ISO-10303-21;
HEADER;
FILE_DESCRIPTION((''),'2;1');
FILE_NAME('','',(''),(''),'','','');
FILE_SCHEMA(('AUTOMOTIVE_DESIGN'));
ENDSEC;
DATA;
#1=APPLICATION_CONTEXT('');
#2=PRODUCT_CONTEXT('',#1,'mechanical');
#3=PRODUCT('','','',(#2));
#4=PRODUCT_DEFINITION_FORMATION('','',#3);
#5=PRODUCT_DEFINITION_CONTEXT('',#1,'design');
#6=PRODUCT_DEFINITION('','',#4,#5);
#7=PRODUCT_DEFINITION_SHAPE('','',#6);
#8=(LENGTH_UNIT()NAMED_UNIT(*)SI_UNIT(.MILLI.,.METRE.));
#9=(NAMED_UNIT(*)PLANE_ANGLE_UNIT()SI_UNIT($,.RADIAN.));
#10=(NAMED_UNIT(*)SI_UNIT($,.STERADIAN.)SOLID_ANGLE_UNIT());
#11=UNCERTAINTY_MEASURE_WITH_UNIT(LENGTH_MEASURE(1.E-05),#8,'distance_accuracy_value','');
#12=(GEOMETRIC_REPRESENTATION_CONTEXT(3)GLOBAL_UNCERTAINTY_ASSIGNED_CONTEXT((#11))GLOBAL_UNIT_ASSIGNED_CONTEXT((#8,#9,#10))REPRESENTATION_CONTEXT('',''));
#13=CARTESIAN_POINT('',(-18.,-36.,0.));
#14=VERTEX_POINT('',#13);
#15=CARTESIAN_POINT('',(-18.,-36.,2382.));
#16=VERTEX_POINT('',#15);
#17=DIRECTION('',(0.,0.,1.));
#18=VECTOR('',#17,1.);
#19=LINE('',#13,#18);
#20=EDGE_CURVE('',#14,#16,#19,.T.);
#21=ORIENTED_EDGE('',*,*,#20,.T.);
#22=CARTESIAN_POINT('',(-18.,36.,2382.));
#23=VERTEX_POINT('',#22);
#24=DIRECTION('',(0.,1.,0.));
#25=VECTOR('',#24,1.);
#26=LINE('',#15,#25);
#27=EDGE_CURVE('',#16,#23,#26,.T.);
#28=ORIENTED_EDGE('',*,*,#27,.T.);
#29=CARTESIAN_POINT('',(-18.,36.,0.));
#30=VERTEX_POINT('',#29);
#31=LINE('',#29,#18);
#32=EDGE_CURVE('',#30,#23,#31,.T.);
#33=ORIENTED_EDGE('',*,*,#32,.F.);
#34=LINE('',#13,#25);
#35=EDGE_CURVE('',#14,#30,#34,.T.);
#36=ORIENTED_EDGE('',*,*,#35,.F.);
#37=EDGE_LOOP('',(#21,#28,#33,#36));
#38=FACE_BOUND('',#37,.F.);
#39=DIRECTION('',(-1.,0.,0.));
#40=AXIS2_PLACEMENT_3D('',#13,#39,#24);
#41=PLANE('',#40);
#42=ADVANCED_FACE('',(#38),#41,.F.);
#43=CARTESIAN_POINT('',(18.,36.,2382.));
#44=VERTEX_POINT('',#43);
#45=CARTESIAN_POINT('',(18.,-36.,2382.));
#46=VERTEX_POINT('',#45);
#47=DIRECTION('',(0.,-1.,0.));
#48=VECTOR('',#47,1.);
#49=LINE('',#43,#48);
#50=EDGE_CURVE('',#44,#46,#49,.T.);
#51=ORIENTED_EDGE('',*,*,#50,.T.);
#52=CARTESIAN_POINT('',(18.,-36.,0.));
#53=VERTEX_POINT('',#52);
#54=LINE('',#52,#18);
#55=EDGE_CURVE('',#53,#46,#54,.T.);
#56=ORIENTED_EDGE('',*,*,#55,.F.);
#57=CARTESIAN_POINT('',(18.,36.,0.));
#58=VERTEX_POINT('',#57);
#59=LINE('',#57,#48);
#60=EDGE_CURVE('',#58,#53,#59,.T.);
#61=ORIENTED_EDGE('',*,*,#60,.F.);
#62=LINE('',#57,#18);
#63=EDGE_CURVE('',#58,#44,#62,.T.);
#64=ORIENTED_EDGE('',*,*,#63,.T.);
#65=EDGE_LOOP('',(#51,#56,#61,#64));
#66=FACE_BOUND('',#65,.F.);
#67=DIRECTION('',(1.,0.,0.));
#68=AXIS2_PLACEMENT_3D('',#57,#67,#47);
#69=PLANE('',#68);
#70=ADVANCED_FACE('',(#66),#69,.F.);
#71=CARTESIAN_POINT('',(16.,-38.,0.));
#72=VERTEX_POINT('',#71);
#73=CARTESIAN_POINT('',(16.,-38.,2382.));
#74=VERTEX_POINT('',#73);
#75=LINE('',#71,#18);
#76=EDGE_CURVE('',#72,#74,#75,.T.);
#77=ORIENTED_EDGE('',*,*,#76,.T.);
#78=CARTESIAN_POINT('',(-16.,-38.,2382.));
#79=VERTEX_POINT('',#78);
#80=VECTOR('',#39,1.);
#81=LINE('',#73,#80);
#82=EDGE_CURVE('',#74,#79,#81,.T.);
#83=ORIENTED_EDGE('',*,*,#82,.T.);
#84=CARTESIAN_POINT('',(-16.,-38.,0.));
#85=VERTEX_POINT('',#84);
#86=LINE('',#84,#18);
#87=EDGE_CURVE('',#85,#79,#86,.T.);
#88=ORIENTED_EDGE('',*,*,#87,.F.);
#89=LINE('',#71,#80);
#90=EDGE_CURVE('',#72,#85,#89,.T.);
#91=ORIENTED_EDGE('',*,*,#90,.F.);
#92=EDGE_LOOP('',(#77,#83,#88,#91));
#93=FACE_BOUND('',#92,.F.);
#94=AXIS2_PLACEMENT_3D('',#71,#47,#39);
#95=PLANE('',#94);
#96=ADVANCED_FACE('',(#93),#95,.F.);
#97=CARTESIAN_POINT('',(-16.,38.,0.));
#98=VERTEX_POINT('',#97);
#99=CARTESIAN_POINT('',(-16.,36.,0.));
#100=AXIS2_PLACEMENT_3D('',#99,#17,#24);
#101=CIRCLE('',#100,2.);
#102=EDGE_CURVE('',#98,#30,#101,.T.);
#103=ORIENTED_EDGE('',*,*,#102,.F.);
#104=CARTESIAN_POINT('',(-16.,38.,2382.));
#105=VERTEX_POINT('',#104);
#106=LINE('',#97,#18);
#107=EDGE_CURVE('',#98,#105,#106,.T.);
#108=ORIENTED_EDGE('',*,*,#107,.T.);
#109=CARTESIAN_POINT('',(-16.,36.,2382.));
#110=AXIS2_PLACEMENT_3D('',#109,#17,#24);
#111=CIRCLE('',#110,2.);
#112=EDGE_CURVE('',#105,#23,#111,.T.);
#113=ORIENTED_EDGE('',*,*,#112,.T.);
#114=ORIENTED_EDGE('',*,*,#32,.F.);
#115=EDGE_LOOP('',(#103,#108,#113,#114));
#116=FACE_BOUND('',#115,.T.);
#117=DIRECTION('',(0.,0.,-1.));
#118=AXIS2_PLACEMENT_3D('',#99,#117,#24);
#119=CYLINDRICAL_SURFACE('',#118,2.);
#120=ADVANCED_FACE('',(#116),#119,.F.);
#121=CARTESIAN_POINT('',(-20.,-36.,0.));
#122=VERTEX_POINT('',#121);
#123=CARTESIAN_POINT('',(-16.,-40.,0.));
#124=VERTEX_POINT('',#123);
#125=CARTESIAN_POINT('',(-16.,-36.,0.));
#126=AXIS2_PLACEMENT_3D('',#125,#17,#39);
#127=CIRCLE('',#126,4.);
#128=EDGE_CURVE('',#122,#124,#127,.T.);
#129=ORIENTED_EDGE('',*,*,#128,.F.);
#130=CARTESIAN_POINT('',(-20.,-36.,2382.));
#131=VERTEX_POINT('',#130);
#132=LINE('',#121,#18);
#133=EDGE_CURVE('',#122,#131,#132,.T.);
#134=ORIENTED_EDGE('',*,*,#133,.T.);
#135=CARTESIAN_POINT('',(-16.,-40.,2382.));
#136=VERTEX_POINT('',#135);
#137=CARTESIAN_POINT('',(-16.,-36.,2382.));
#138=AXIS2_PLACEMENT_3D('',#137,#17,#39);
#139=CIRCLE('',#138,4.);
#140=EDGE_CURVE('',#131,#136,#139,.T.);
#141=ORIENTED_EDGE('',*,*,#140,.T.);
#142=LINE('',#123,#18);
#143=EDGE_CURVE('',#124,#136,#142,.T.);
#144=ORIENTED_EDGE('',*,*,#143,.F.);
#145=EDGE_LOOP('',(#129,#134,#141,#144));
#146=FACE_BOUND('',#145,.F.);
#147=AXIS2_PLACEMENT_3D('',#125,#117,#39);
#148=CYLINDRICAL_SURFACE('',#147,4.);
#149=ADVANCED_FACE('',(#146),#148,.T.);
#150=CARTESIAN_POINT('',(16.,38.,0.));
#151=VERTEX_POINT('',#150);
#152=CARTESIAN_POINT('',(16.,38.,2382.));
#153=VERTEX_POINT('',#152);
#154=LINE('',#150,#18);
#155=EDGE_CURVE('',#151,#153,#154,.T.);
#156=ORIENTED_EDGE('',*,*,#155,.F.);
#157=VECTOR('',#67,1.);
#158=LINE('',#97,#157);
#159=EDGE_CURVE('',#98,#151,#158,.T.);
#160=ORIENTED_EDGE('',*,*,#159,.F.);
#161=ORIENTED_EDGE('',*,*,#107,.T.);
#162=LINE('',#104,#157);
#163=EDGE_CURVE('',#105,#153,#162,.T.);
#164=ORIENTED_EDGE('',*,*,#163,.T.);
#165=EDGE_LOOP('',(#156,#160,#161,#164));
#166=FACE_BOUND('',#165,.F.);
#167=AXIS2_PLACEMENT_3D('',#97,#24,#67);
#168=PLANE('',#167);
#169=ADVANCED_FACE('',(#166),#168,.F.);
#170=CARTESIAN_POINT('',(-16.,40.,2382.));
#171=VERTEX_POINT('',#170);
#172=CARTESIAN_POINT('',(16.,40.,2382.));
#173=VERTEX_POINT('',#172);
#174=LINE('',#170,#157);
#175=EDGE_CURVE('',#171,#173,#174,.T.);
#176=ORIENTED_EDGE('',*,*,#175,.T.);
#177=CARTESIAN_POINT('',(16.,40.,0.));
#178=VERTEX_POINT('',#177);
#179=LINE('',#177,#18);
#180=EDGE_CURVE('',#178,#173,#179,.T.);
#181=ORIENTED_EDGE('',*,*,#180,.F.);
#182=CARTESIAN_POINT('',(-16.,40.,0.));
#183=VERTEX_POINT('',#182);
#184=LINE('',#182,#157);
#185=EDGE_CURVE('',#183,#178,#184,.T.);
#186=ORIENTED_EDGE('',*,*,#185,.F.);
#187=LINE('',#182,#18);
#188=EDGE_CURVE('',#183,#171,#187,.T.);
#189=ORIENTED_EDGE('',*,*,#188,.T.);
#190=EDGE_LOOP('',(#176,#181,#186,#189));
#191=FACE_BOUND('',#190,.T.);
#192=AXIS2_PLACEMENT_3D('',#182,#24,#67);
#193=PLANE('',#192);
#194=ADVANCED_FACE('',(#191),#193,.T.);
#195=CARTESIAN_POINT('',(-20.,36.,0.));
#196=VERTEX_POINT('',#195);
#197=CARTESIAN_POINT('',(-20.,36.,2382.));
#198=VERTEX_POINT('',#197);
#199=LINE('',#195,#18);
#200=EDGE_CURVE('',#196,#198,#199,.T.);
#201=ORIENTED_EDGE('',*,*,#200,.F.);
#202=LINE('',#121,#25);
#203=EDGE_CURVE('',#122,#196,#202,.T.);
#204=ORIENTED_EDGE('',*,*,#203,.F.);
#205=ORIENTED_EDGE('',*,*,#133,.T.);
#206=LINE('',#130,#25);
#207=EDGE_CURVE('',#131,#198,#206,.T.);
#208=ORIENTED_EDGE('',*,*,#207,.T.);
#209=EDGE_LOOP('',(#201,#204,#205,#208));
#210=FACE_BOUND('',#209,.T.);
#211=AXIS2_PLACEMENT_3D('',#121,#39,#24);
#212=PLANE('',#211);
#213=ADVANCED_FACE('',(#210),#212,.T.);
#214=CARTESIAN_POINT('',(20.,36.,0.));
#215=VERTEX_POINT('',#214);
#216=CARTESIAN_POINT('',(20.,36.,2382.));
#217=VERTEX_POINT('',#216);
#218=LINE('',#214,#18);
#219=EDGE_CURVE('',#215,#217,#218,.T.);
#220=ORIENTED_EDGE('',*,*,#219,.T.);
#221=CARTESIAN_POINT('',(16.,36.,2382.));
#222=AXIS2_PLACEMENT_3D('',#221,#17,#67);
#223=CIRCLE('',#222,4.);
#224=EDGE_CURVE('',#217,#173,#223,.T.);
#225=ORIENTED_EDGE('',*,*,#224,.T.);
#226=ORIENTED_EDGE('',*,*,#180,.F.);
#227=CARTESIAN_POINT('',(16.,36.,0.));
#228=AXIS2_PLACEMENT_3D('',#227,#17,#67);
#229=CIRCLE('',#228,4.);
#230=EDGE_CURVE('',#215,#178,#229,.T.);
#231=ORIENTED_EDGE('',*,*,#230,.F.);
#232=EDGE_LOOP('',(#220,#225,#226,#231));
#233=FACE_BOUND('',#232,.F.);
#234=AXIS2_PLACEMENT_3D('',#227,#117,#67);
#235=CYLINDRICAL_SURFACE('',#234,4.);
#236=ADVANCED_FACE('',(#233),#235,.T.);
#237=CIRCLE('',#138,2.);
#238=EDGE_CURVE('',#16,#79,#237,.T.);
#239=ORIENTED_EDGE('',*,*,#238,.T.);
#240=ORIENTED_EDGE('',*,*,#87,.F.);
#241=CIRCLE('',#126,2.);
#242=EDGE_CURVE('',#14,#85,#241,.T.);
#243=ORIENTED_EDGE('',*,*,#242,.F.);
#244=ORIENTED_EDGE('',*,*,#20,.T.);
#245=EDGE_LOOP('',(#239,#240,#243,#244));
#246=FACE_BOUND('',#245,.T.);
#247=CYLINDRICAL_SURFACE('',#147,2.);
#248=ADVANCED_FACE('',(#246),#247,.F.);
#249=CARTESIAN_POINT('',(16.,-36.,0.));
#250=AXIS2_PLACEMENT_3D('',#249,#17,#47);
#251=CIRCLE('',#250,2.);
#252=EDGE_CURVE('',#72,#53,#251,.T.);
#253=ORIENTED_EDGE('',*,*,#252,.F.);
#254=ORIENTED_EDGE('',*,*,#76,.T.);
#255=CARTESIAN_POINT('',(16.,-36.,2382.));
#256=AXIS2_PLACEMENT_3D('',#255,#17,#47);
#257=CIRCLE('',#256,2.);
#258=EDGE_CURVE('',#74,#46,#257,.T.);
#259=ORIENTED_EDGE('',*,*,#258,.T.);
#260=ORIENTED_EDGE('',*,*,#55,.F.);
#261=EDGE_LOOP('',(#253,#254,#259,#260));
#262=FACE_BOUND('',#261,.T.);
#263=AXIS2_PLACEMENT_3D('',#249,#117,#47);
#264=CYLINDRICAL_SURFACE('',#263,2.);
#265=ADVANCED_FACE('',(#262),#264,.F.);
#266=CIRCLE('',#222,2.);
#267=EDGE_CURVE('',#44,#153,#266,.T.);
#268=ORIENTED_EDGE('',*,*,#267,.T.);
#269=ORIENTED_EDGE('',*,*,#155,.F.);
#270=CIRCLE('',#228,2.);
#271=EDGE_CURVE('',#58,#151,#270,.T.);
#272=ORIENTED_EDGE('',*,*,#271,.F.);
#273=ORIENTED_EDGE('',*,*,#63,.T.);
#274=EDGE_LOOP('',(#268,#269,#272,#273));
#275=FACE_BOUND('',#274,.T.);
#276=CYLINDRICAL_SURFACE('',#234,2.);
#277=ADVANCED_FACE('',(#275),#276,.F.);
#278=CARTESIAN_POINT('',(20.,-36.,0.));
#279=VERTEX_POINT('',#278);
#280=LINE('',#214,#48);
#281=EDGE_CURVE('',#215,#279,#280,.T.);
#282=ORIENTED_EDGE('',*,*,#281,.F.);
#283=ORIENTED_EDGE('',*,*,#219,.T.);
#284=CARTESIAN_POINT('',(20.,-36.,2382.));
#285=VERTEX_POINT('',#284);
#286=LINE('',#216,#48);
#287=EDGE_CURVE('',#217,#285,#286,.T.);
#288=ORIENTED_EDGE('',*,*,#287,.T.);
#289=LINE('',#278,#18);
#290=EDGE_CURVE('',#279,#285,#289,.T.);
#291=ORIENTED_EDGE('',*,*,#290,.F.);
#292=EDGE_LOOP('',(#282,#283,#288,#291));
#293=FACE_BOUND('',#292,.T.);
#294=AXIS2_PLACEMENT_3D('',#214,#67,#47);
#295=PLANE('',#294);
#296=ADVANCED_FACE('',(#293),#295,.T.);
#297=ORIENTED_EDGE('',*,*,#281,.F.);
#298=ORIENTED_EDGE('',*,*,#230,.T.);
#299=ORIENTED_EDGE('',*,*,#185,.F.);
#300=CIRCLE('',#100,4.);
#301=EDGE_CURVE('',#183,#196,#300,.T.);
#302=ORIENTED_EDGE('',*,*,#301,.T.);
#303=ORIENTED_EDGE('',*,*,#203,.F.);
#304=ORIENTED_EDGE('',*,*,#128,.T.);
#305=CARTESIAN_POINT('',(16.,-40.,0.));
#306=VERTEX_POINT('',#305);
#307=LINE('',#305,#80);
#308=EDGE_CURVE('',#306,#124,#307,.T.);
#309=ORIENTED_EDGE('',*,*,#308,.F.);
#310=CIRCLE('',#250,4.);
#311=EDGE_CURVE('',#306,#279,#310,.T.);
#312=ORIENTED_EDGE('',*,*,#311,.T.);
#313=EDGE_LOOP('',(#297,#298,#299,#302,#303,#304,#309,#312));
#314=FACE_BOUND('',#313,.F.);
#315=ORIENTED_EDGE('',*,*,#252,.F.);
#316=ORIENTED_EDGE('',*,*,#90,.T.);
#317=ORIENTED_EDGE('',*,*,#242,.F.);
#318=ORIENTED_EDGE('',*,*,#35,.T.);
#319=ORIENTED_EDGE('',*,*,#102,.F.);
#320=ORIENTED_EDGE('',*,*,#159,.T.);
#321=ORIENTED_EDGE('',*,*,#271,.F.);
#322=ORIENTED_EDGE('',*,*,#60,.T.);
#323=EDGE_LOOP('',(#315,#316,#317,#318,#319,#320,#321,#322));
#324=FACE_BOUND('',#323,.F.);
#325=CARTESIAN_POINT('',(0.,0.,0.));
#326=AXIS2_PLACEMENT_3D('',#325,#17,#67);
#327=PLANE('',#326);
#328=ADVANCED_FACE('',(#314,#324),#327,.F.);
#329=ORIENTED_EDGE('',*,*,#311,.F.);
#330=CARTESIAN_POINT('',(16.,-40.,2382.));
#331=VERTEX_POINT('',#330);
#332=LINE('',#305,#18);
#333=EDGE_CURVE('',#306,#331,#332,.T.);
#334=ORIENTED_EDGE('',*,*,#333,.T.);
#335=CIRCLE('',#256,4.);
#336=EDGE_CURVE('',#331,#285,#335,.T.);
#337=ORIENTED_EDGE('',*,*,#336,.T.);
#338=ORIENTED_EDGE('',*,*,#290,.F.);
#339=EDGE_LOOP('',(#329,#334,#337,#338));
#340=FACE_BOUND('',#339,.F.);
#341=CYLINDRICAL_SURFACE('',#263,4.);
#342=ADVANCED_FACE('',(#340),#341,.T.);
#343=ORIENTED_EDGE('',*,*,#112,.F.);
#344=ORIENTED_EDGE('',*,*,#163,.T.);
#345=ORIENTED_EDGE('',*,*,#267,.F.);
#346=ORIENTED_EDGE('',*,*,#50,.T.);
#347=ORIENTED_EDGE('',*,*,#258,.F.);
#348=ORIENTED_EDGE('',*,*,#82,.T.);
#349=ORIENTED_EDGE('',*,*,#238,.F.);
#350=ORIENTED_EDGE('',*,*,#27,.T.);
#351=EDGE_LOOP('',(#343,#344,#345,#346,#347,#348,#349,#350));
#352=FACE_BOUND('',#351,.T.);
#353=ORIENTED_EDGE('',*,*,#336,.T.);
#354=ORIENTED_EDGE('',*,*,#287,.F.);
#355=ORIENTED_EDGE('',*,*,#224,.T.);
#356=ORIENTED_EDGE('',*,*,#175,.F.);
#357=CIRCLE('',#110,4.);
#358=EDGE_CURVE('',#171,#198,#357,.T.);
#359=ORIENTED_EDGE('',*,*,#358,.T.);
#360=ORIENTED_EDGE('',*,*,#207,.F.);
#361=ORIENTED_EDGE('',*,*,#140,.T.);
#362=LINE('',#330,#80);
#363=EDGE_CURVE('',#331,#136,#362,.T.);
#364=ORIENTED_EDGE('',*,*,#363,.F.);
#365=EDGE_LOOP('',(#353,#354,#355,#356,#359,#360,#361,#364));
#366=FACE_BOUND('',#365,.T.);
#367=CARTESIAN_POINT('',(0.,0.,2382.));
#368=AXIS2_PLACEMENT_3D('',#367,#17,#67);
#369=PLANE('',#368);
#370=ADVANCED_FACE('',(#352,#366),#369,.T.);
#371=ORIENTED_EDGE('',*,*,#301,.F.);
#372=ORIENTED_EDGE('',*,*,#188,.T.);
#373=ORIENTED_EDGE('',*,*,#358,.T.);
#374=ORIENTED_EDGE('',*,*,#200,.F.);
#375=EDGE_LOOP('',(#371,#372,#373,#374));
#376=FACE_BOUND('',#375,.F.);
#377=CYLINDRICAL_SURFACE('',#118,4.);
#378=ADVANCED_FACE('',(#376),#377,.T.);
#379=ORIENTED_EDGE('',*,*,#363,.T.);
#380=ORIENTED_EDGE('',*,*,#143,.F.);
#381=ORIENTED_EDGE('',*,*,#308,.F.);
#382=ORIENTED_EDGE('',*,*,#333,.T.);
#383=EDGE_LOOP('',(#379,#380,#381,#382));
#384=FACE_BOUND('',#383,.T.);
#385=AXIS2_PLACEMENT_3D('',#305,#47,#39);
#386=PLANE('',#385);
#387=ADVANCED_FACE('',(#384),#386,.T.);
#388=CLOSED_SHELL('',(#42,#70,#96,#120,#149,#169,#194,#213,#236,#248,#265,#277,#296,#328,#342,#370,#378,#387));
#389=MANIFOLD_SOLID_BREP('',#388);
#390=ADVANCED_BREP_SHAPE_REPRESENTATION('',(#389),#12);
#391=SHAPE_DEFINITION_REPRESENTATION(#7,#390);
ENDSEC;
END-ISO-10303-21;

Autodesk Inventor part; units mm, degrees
ref_plane "YZ Plane" through (0, 0, 0) normal (1, 0, 0) x (0, 1, 0)
ref_plane "Start Plane" through (0, 0, 0) normal (0, 0, 1) x (1, 0, 0)
ref_plane "End Plane" through (0, 0, 2382) normal (0, 0, 1) x (1, 0, 0)
sketch "Sketch" plane through (0, 0, 0) normal (0, 0, 1) x (1, 0, 0)
  line L0 (-20, -36) -> (-20, 36)
  line L1 (-16, 40) -> (16, 40)
  line L2 (20, 36) -> (20, -36)
  line L3 (16, -40) -> (-16, -40)
  arc A0 (-20, -36) -> (-16, -40) centre (-16, -36) ccw
  arc A1 (20, 36) -> (16, 40) centre (16, 36) ccw
  arc A2 (-16, 40) -> (-20, 36) centre (-16, 36) ccw
  arc A3 (16, -40) -> (20, -36) centre (16, -36) ccw
  arc A4 (-16, 38) -> (-18, 36) centre (-16, 36) ccw
  line L4 (-16, 38) -> (16, 38)
  arc A5 (18, 36) -> (16, 38) centre (16, 36) ccw
  line L5 (18, 36) -> (18, -36)
  arc A6 (16, -38) -> (18, -36) centre (16, -36) ccw
  line L6 (16, -38) -> (-16, -38)
  arc A7 (-18, -36) -> (-16, -38) centre (-16, -36) ccw
  line L7 (-18, -36) -> (-18, 36)
  line L8 (0, 57.1598) -> (0, -57.1598) construction
  line L9 (-29.1598, 0) -> (29.1598, 0) construction
  dimension "d7" = 4
  dimension "d9" = 40
  dimension "d11" = 80
  dimension "d12" = 2
  dimension "d15" = 20
  dimension "d16" = 40
extrude "Body" add sketch "Sketch" along normal up to surface (2382 mm away) from surface at 0
sketch "Sketch3" plane through (0, 0, 0) normal (0, 0, 1) x (1, 0, 0)
  line L0 (0, 0) -> (10, 0)
ref_plane "Work Plane3" through (0, 0, 0) normal (0, -1, 0) x (1, 0, 0)
sketch "Sketch4" plane through (0, 0, 0) normal (0, -1, 0) x (1, 0, 0)
  line L0 (-2, 0) -> (12, 0) projected
  line L1 (-2, 2382) -> (12, 2382) projected
  dimension "d18" = 2382
equation "\"d7\" = G_IR"
equation "\"d9\" = G_W"
equation "\"d11\" = G_H"
equation "\"d12\" = G_T"
equation "\"d15\" = 0.5 * d9"
equation "\"d16\" = 0.5 * d11"
equation "\"d3\" = G_L"
equation "\"G_W\" = 40"
equation "\"G_H\" = 80"
equation "\"G_T\" = 2"
equation "\"G_IR\" = 4"
equation "\"G_L\" = d18"
equation "\"G_OFFSET_START\" = 0"
equation "\"G_OFFSET_END\" = 0"
equation "\"d14\" = G_OFFSET_END + B_L"
equation "\"B_L\" = 2382"
properties part number "ISO 4019 - 80x40x2 - 2382" material "Steel, Mild"
